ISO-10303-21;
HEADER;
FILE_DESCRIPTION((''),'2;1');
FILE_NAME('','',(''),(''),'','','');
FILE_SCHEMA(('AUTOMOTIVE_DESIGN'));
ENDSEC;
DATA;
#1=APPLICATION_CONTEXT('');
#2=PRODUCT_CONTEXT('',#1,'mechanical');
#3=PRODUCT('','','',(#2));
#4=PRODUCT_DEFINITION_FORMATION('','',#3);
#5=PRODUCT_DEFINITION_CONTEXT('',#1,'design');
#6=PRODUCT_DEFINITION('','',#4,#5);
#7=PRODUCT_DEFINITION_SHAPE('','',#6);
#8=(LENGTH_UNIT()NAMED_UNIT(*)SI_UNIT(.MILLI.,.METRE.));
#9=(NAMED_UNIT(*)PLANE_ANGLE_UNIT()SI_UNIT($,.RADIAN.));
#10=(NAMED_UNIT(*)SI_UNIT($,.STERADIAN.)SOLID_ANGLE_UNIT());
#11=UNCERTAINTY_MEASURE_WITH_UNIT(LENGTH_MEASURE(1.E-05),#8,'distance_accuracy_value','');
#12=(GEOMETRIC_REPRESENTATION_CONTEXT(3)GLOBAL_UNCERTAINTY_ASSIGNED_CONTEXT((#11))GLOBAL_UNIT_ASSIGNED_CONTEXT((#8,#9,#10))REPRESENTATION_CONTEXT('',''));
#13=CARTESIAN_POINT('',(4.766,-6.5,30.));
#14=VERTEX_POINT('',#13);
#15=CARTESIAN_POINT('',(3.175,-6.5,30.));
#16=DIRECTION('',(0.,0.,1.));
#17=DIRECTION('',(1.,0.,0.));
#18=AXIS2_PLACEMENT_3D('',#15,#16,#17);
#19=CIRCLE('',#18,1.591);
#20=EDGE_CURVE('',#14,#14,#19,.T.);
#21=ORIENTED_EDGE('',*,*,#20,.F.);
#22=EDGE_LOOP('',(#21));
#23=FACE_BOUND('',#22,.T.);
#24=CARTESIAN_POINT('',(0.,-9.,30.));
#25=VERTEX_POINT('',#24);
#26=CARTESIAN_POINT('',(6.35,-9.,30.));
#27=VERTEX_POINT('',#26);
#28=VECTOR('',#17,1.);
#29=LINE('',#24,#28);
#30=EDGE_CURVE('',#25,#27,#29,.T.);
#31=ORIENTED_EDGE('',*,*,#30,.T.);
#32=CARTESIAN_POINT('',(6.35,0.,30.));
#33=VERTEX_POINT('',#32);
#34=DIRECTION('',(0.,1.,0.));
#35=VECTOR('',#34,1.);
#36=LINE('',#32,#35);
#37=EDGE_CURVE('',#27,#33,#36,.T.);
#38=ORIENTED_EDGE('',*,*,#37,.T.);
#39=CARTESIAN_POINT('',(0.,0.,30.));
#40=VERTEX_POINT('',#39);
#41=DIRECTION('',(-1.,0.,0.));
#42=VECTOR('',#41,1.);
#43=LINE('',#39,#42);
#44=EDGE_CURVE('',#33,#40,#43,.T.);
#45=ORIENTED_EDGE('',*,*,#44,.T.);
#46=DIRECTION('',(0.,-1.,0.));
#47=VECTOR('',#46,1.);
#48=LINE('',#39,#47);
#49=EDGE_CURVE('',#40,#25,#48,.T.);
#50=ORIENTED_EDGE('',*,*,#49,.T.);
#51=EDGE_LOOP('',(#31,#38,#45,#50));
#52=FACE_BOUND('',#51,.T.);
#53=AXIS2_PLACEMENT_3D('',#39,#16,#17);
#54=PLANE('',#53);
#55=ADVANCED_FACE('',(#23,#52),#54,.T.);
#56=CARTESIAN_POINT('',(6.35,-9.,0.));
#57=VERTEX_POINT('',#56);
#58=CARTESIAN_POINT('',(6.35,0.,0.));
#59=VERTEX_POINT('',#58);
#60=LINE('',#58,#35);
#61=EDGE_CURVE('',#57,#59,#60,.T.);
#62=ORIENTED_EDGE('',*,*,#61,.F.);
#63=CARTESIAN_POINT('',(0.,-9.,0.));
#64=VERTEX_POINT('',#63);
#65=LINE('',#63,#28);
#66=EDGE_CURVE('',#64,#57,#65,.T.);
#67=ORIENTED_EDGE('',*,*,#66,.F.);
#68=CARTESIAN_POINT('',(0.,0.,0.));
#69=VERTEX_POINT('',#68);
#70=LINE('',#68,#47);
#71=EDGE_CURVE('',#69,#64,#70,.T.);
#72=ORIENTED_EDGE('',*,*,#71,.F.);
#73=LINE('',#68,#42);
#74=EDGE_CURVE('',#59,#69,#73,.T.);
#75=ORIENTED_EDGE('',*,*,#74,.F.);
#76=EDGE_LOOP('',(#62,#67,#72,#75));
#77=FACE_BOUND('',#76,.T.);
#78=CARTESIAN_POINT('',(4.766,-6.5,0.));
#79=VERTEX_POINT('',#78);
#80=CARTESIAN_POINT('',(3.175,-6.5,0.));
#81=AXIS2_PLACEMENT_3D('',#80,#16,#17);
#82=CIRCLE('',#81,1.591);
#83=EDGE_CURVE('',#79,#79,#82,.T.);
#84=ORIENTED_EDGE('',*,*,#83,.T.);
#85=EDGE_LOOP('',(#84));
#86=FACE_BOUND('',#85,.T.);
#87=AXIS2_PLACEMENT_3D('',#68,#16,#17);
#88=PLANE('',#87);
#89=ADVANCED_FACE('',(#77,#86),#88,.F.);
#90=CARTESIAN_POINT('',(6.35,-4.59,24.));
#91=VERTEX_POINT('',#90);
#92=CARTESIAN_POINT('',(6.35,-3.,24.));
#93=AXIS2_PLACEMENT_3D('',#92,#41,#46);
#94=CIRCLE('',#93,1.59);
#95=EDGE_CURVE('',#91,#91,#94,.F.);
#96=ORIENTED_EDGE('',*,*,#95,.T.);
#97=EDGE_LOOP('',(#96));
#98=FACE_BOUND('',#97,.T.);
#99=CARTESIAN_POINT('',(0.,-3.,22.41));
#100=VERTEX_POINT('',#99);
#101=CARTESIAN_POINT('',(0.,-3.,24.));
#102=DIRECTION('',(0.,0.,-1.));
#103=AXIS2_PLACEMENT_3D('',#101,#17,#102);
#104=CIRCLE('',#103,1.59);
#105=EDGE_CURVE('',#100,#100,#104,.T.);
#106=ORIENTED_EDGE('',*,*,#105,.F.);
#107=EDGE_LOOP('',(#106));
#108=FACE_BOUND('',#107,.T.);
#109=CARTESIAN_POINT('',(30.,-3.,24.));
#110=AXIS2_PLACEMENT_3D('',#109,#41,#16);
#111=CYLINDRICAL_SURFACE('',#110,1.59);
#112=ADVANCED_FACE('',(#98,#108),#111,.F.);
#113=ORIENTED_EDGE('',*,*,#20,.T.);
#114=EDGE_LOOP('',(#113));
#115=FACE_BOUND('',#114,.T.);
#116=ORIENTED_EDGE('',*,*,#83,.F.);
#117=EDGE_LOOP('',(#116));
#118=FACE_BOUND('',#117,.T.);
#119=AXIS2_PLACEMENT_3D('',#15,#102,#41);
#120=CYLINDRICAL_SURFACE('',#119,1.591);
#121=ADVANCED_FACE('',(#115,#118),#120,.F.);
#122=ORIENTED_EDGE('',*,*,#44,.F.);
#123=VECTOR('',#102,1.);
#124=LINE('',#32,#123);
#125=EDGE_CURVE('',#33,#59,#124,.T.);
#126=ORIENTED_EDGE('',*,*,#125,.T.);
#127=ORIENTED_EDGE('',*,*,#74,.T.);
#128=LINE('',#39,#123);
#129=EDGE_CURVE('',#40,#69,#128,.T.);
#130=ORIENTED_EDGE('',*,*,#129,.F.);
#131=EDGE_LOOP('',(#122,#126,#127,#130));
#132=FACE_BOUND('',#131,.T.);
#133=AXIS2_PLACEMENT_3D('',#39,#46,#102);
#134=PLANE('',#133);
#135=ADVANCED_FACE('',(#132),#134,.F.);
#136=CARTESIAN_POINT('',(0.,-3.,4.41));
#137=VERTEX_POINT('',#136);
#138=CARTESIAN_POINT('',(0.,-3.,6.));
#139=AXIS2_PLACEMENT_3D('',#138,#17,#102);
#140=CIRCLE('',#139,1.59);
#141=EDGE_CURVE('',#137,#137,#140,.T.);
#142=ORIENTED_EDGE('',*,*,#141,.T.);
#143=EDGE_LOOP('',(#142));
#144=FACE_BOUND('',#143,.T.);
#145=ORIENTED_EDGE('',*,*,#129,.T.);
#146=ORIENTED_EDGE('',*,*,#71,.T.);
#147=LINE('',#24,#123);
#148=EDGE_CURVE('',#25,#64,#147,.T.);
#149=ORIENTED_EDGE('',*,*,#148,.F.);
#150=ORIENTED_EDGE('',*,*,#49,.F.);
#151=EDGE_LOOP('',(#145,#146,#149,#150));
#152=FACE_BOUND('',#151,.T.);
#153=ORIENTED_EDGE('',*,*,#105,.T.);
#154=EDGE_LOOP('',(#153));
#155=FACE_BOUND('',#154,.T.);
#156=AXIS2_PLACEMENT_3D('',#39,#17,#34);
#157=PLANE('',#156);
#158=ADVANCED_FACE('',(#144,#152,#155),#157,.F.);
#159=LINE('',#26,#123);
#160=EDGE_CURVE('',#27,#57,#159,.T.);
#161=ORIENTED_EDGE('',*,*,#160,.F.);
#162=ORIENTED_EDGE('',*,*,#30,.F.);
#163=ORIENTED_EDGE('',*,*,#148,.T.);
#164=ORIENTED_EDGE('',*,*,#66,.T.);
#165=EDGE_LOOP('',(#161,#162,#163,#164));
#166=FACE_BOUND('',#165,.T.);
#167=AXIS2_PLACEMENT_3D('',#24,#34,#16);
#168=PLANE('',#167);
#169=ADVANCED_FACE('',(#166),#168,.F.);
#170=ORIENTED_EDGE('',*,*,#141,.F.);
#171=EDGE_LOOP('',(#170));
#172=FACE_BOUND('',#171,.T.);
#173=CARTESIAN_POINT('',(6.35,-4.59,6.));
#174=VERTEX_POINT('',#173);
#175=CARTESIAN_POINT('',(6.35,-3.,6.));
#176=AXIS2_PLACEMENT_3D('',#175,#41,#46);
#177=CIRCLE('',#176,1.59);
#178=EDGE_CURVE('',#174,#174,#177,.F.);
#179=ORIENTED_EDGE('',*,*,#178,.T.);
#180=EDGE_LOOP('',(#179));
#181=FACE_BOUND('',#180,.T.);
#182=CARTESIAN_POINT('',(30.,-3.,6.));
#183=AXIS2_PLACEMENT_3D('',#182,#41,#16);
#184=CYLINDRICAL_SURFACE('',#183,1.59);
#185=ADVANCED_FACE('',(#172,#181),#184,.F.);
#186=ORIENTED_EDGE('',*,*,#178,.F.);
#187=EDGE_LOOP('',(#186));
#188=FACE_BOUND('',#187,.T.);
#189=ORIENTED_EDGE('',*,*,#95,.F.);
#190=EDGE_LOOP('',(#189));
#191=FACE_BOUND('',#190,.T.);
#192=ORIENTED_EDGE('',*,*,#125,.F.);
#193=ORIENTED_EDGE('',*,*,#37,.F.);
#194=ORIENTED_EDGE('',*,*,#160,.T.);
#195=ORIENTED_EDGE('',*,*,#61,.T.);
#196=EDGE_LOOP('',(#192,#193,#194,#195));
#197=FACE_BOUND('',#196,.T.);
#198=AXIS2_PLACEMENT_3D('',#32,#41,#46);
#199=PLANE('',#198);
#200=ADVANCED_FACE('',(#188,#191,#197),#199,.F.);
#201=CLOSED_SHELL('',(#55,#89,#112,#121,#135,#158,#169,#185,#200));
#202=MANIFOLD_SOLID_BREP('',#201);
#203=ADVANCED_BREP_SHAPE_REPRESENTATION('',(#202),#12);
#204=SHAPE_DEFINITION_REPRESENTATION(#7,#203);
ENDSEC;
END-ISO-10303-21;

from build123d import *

# Parameters (mm, degrees)
SKETCH1_W           = 6.35
SKETCH1_H           = 9
SKETCH1_R           = 1.591
BOSS_EXTRUDE1_DEPTH = 30
SKETCH2_R           = 1.59
CUT_EXTRUDE1_DEPTH  = 30


with BuildPart() as part:
    # Sketch1 → Boss-Extrude1 (new body)
    with BuildSketch(Plane.XY):
        with Locations((3.175, -4.5)):
            Rectangle(SKETCH1_W, SKETCH1_H)
        with Locations((3.175, -6.5)):
            Circle(SKETCH1_R, mode=Mode.SUBTRACT)
    extrude(amount=BOSS_EXTRUDE1_DEPTH)

    # Sketch2 → Cut-Extrude1 (cut)
    with BuildSketch(Plane(origin=(0, 0, 0), x_dir=(0, 0, -1), z_dir=(1, 0, 0))):
        with Locations((-24, -3)):
            Circle(SKETCH2_R)
        with Locations((-6, -3)):
            Circle(SKETCH2_R)
    extrude(amount=CUT_EXTRUDE1_DEPTH, mode=Mode.SUBTRACT)


solid = part.part
